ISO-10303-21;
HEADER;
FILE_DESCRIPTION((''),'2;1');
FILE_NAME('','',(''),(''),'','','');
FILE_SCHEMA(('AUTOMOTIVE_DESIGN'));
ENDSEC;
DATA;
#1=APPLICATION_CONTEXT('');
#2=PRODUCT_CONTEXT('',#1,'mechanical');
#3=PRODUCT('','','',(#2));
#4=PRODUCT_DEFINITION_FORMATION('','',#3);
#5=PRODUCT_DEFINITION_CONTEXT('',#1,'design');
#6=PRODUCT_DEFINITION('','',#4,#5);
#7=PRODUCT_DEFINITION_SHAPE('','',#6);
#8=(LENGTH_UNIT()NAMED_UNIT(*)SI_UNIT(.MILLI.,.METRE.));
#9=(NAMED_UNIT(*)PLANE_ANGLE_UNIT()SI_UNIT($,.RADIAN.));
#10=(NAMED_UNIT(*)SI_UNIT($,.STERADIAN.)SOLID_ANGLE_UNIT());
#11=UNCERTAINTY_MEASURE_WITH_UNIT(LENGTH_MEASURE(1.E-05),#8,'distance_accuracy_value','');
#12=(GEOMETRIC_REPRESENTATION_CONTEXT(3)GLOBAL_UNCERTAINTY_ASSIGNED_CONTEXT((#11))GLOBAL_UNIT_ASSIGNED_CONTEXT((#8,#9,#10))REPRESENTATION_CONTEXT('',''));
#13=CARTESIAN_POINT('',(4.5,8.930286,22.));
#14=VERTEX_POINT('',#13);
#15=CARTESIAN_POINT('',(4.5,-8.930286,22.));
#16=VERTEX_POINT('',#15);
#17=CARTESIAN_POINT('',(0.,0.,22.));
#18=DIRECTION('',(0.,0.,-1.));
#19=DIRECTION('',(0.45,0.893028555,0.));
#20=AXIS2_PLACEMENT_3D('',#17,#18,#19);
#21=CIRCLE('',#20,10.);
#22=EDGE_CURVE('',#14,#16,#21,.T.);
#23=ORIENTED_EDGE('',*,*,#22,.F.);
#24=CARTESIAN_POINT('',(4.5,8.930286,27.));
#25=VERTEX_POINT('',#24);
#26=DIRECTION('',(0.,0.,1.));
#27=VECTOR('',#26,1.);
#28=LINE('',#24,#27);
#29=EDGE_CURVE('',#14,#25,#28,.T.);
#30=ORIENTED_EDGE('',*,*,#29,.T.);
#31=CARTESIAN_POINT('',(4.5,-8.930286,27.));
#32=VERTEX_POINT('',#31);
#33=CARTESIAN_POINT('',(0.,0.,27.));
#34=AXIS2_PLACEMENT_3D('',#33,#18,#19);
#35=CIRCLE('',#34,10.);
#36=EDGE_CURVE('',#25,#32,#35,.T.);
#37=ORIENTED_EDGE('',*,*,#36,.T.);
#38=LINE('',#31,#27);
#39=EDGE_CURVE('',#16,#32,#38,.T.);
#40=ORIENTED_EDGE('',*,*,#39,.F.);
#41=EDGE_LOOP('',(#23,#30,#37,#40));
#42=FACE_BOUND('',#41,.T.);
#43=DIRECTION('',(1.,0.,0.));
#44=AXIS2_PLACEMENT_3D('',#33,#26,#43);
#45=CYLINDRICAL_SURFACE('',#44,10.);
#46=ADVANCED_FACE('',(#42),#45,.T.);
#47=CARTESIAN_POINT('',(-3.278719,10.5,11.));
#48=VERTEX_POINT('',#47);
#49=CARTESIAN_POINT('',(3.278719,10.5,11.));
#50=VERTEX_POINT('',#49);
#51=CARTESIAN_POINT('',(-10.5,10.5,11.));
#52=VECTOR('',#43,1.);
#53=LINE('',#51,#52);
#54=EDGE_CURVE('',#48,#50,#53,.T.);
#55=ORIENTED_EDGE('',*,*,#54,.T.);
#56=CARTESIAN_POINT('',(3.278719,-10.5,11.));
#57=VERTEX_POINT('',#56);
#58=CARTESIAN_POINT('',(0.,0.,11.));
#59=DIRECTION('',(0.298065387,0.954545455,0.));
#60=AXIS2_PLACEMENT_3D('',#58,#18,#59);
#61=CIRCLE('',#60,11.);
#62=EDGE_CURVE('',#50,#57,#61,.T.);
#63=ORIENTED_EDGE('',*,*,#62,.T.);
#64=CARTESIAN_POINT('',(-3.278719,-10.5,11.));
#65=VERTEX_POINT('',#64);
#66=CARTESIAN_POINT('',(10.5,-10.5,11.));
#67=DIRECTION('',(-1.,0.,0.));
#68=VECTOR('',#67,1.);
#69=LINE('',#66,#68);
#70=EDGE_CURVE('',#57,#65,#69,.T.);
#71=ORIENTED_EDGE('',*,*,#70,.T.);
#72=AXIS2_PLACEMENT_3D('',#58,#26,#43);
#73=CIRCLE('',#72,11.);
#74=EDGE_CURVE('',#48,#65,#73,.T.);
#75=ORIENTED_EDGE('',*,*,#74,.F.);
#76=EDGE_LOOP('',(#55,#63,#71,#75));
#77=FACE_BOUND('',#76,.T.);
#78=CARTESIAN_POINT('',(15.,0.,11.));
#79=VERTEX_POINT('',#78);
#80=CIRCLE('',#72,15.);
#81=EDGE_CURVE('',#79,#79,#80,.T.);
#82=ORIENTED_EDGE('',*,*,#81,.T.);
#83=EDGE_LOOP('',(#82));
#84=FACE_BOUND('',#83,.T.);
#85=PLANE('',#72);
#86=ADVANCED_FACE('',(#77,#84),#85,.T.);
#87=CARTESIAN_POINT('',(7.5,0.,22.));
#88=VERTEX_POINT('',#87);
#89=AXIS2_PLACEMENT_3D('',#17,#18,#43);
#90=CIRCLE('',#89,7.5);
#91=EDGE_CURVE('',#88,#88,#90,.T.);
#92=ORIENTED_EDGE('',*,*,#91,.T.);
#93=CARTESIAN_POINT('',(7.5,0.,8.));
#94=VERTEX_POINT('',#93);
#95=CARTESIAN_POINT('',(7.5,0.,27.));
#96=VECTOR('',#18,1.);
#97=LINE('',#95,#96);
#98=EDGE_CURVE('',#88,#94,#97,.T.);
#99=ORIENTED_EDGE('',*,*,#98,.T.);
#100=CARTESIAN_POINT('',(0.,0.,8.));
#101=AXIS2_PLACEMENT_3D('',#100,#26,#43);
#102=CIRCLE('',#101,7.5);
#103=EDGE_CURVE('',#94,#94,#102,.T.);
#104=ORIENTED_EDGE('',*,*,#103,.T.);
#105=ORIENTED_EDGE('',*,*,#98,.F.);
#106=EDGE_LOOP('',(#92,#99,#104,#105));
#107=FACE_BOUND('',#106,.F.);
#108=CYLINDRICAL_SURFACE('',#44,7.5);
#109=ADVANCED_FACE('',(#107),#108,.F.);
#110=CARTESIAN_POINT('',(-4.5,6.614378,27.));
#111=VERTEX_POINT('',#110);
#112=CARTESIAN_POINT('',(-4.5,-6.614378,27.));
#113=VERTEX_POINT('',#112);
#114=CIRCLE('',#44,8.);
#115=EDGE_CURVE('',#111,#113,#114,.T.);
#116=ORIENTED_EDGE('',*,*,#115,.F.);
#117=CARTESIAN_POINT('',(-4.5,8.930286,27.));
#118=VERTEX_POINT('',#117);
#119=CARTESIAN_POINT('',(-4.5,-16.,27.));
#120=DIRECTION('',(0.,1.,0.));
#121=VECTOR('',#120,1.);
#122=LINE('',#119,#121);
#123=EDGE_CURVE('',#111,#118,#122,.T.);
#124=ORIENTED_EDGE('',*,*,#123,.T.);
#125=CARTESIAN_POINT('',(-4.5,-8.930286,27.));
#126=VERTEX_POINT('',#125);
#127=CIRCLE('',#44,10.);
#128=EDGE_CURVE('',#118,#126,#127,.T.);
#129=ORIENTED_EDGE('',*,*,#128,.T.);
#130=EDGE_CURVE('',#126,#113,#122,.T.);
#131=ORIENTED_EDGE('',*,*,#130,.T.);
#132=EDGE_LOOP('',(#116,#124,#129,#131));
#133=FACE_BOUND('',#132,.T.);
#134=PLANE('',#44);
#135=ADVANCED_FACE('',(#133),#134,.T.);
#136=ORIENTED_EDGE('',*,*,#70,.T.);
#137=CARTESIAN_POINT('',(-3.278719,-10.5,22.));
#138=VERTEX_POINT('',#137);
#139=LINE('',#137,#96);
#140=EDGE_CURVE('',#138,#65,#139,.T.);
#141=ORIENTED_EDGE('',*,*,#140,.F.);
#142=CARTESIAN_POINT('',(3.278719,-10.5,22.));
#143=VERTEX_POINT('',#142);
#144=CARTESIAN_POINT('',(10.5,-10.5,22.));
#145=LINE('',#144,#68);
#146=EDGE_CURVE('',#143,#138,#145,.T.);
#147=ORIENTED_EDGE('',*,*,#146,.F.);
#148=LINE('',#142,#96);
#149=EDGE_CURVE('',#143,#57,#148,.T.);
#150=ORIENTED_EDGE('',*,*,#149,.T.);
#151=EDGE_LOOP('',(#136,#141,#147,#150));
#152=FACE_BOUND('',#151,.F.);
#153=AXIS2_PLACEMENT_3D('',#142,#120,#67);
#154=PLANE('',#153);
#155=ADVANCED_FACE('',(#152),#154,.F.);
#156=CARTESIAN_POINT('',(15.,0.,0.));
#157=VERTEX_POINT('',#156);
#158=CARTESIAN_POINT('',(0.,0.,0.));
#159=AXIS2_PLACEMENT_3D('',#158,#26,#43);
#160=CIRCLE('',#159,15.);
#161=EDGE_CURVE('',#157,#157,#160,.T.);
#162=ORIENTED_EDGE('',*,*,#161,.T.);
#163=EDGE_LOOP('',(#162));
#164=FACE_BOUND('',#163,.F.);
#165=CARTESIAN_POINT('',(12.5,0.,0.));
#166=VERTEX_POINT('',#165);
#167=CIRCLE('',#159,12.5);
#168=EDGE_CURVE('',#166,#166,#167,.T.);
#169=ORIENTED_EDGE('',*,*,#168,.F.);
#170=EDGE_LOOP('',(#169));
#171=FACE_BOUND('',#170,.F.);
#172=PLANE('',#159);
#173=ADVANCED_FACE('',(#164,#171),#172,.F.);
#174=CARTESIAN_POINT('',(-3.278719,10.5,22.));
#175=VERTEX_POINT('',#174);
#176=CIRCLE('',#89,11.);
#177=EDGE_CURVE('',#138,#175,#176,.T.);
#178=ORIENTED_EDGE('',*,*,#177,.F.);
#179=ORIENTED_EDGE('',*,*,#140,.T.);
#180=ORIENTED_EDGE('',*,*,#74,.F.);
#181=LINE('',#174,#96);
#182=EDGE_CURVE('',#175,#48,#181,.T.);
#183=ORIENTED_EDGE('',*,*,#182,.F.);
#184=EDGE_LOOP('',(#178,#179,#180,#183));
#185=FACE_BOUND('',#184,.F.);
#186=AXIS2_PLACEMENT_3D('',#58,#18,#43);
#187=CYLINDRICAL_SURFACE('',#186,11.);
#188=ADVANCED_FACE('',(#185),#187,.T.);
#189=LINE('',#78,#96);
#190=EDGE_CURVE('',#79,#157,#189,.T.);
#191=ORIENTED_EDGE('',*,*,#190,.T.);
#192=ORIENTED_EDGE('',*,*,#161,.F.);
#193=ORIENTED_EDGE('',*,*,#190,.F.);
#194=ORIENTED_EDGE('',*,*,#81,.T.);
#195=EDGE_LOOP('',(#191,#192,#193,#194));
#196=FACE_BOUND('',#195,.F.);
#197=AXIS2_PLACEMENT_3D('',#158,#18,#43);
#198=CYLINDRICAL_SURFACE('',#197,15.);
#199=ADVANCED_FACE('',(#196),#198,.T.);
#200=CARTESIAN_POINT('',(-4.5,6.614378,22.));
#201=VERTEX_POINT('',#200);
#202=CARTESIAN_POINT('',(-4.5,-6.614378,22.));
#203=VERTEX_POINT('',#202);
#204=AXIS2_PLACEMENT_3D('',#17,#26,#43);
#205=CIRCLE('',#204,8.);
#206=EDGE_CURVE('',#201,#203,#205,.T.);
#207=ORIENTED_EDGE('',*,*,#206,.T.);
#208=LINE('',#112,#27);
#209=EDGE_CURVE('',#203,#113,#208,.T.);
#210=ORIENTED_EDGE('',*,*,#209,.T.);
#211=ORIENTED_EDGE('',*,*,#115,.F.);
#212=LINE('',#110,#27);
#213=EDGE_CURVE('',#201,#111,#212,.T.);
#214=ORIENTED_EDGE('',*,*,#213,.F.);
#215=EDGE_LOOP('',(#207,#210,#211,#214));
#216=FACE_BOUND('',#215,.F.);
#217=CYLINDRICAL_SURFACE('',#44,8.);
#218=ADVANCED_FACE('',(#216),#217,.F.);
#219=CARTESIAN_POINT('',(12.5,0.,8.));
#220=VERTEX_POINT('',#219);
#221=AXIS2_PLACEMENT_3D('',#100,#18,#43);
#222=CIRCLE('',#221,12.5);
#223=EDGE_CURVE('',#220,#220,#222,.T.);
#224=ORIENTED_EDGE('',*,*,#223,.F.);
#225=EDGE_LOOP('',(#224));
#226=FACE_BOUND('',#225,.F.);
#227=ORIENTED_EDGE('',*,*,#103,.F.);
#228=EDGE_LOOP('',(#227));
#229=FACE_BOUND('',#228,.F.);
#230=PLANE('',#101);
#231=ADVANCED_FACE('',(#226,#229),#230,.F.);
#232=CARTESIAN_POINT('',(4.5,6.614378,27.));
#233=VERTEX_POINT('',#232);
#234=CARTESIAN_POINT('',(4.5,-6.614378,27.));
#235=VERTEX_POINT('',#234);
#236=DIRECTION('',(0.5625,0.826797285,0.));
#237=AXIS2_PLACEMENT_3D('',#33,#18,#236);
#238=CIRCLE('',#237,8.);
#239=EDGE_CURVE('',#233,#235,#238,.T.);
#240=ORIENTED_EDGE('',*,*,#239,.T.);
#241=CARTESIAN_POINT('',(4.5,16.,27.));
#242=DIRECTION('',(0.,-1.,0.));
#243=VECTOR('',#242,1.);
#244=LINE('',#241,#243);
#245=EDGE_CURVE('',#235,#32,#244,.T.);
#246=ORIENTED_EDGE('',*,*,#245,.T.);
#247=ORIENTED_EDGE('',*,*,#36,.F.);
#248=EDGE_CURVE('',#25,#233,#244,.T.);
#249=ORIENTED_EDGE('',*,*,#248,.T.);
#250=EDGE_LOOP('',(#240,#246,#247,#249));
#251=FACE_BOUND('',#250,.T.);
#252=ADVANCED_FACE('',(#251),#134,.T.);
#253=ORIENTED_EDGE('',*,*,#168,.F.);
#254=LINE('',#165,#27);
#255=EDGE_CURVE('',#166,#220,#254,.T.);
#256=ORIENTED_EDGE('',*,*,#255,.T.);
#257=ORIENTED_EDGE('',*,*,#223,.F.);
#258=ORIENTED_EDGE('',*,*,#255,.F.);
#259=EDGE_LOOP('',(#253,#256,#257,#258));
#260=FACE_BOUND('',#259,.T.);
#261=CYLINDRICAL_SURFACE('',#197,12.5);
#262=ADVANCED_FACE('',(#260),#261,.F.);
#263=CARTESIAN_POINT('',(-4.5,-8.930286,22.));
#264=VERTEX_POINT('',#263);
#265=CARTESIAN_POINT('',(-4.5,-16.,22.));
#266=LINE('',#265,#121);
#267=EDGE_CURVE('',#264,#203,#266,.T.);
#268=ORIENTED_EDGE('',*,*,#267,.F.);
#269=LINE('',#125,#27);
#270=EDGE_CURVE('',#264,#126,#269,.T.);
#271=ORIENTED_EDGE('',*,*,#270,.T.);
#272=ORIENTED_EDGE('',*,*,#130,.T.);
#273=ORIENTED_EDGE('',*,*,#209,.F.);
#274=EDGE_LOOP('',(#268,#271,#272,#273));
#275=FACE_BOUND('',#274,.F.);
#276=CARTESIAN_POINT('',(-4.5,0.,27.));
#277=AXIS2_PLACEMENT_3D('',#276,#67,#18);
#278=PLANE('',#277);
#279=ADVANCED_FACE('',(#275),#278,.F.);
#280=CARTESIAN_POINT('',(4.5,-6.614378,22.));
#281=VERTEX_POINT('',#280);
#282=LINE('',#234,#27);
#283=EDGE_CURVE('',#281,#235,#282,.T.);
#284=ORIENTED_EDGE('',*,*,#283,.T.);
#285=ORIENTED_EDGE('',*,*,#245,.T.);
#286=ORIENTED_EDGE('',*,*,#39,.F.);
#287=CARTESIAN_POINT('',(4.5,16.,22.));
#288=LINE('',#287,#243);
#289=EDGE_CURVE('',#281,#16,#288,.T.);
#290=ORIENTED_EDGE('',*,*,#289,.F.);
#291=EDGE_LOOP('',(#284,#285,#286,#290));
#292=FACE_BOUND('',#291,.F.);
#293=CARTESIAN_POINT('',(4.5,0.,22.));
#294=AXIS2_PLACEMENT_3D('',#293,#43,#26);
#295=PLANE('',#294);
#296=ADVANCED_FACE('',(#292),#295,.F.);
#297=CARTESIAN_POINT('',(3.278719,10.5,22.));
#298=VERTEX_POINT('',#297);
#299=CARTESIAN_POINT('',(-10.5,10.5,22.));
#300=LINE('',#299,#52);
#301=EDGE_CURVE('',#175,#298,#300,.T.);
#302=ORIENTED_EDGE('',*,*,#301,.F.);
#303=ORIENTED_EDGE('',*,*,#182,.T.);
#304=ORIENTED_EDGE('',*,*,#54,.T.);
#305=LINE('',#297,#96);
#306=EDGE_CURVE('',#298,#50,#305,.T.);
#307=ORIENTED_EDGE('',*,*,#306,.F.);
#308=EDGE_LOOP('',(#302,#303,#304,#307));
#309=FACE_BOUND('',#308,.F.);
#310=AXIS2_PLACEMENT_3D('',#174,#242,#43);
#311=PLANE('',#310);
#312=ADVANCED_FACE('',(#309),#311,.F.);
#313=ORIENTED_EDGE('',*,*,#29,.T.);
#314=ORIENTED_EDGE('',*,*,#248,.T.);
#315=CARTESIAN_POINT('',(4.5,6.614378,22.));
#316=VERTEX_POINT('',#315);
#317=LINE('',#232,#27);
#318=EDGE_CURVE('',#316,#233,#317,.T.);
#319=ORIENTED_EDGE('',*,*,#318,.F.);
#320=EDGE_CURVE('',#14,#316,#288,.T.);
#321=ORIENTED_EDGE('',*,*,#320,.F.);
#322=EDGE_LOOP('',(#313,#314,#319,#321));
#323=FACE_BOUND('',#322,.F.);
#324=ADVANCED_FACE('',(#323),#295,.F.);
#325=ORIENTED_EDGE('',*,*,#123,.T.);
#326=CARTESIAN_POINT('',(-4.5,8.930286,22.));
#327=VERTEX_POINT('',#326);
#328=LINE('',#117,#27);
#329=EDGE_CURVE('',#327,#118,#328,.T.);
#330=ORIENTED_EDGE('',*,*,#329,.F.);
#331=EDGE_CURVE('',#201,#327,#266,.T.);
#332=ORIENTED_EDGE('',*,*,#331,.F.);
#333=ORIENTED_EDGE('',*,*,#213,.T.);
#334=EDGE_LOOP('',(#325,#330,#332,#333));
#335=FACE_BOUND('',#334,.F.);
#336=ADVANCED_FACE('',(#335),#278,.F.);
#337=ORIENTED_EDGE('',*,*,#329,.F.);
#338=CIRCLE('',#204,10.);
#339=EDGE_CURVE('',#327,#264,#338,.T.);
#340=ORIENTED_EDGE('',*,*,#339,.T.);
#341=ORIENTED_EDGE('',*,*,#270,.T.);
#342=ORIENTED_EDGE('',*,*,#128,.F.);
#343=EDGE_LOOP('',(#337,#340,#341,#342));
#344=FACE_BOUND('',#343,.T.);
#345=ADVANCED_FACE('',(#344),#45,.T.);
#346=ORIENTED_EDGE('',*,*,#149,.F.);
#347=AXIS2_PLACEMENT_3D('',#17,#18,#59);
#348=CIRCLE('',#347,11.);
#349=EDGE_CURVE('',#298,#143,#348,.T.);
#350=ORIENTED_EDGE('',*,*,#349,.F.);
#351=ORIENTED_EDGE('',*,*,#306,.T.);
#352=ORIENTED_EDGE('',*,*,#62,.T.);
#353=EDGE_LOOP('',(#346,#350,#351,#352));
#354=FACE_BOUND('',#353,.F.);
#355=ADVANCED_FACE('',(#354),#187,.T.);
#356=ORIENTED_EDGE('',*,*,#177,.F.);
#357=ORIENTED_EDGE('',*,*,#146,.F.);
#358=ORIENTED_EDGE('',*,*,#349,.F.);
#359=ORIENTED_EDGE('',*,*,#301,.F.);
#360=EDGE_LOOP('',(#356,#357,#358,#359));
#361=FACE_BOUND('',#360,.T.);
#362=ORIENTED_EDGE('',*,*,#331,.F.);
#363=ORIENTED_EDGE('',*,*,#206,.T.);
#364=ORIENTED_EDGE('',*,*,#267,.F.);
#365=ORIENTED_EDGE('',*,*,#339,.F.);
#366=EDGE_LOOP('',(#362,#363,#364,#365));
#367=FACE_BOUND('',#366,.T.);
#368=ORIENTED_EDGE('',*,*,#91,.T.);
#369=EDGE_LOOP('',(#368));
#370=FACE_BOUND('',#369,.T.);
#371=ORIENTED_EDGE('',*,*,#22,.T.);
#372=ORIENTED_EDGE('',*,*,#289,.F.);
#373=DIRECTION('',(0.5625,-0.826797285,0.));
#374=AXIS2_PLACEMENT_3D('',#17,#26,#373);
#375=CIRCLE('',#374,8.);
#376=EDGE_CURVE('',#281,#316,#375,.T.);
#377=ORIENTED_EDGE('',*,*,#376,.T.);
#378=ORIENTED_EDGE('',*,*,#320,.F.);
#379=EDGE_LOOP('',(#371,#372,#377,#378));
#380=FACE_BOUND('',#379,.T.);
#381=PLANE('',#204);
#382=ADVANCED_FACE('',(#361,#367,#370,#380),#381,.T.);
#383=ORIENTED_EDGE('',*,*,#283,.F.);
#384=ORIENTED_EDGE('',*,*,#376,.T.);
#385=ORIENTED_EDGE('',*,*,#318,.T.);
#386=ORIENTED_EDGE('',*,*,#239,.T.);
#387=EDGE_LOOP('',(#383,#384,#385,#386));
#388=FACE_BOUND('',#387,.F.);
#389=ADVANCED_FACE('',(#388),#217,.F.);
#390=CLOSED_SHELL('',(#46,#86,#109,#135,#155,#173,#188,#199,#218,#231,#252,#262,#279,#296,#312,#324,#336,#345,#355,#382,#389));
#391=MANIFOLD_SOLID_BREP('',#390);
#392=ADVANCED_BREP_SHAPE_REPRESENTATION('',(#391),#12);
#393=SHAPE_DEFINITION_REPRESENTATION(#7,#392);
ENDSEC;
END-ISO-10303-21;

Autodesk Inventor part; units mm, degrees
ref_plane "YZ Plane" through (0, 0, 0) normal (1, 0, 0) x (0, 1, 0)
ref_plane "XZ Plane" through (0, 0, 0) normal (0, 1, 0) x (-1, 0, 0)
ref_plane "XY Plane" through (0, 0, 0) normal (0, 0, 1) x (1, 0, 0)
sketch "Esboço1" plane through (0, 0, 0) normal (0, 0, 1) x (1, 0, 0)
  circle A0 centre (0, 0) radius 12.5
  circle A1 centre (0, 0) radius 15
  dimension "d0" = 25
  dimension "d1" = 30
extrude "Extrusão1" add sketch "Esboço1" along normal blind 11
sketch "Esboço2" plane through (0, 0, 11) normal (0, 0, 1) x (1, 0, 0)
  circle A0 centre (0, 0) radius 15
  dimension "d4" = 30
extrude "Extrusão2" add sketch "Esboço2" against normal blind 3
sketch "Esboço4" plane through (0, 0, 11) normal (0, 0, 1) x (1, 0, 0)
  circle A0 centre (0, 0) radius 11
  dimension "d10" = 22
extrude "Extrusão4" add sketch "Esboço4" along normal blind 16
sketch "Esboço5" plane through (0, 0, 27) normal (0, 0, 1) x (1, 0, 0)
  circle A0 centre (0, 0) radius 7.5
  dimension "d13" = 15
extrude "Extrusão5" cut sketch "Esboço5" against normal through all
sketch "Esboço6" plane through (0, 0, 27) normal (0, 0, 1) x (1, 0, 0)
  circle A0 centre (0, 0) radius 10
  circle A1 centre (0, 0) radius 8
  circle A2 centre (0, 0) radius 7.5
  circle A3 centre (0, 0) radius 11
  dimension "d16" = 20
  dimension "d27" = 16
  dimension "d28" = 22
extrude "Extrusão6" cut sketch "Esboço6" against normal blind 5
thread "Rosca1" size "M22x1" class "6g" standard "ANSI Metric M Profile" length 15
sketch "Esboço7" plane through (0, 0, 0) normal (0, 1, 0) x (-1, 0, 0)
  line L0 (4.5, 22) -> (-4.5, 22)
  line L1 (-4.5, 22) -> (-4.5, 27)
  line L2 (-4.5, 27) -> (4.5, 27)
  line L3 (4.5, 27) -> (4.5, 22)
  line L4 (4.5, 22) -> (-4.5, 27) construction
  line L5 (-4.5, 22) -> (4.5, 27) construction
  line L6 (10, 27) -> (-10, 27) projected
  point P0 (0, 0)
  point P1 (0, 24.5)
  dimension "d22" = 9
  dimension "d23" = 5
  dimension "d24" = 0
extrude "Extrusão7" cut sketch "Esboço7" along normal through all both and the other way through all
sketch "Esboço8" plane through (0, 0, 22) normal (0, 0, 1) x (1, 0, 0)
  line L0 (-10.5, 10.5) -> (10.5, 10.5)
  line L1 (10.5, 10.5) -> (10.5, -10.5)
  line L2 (10.5, -10.5) -> (-10.5, -10.5)
  line L3 (-10.5, -10.5) -> (-10.5, 10.5)
  line L4 (-10.5, 10.5) -> (10.5, -10.5) construction
  line L5 (10.5, 10.5) -> (-10.5, -10.5) construction
  circle A0 centre (0, 0) radius 11
  point P0 (-3.2787, -10.5)
  point P1 (3.2787, -10.5)
  point P2 (3.2787, 10.5)
  point P3 (-3.2787, 10.5)
  dimension "d29" = 21
  dimension "d30" = 21
  dimension "d31" = 22
extrude "Extrusão8" cut sketch "Esboço8" against normal blind 11 contours A0 L0 | L2 A0
properties part number "CARCAÇA DO BOTÃO"
